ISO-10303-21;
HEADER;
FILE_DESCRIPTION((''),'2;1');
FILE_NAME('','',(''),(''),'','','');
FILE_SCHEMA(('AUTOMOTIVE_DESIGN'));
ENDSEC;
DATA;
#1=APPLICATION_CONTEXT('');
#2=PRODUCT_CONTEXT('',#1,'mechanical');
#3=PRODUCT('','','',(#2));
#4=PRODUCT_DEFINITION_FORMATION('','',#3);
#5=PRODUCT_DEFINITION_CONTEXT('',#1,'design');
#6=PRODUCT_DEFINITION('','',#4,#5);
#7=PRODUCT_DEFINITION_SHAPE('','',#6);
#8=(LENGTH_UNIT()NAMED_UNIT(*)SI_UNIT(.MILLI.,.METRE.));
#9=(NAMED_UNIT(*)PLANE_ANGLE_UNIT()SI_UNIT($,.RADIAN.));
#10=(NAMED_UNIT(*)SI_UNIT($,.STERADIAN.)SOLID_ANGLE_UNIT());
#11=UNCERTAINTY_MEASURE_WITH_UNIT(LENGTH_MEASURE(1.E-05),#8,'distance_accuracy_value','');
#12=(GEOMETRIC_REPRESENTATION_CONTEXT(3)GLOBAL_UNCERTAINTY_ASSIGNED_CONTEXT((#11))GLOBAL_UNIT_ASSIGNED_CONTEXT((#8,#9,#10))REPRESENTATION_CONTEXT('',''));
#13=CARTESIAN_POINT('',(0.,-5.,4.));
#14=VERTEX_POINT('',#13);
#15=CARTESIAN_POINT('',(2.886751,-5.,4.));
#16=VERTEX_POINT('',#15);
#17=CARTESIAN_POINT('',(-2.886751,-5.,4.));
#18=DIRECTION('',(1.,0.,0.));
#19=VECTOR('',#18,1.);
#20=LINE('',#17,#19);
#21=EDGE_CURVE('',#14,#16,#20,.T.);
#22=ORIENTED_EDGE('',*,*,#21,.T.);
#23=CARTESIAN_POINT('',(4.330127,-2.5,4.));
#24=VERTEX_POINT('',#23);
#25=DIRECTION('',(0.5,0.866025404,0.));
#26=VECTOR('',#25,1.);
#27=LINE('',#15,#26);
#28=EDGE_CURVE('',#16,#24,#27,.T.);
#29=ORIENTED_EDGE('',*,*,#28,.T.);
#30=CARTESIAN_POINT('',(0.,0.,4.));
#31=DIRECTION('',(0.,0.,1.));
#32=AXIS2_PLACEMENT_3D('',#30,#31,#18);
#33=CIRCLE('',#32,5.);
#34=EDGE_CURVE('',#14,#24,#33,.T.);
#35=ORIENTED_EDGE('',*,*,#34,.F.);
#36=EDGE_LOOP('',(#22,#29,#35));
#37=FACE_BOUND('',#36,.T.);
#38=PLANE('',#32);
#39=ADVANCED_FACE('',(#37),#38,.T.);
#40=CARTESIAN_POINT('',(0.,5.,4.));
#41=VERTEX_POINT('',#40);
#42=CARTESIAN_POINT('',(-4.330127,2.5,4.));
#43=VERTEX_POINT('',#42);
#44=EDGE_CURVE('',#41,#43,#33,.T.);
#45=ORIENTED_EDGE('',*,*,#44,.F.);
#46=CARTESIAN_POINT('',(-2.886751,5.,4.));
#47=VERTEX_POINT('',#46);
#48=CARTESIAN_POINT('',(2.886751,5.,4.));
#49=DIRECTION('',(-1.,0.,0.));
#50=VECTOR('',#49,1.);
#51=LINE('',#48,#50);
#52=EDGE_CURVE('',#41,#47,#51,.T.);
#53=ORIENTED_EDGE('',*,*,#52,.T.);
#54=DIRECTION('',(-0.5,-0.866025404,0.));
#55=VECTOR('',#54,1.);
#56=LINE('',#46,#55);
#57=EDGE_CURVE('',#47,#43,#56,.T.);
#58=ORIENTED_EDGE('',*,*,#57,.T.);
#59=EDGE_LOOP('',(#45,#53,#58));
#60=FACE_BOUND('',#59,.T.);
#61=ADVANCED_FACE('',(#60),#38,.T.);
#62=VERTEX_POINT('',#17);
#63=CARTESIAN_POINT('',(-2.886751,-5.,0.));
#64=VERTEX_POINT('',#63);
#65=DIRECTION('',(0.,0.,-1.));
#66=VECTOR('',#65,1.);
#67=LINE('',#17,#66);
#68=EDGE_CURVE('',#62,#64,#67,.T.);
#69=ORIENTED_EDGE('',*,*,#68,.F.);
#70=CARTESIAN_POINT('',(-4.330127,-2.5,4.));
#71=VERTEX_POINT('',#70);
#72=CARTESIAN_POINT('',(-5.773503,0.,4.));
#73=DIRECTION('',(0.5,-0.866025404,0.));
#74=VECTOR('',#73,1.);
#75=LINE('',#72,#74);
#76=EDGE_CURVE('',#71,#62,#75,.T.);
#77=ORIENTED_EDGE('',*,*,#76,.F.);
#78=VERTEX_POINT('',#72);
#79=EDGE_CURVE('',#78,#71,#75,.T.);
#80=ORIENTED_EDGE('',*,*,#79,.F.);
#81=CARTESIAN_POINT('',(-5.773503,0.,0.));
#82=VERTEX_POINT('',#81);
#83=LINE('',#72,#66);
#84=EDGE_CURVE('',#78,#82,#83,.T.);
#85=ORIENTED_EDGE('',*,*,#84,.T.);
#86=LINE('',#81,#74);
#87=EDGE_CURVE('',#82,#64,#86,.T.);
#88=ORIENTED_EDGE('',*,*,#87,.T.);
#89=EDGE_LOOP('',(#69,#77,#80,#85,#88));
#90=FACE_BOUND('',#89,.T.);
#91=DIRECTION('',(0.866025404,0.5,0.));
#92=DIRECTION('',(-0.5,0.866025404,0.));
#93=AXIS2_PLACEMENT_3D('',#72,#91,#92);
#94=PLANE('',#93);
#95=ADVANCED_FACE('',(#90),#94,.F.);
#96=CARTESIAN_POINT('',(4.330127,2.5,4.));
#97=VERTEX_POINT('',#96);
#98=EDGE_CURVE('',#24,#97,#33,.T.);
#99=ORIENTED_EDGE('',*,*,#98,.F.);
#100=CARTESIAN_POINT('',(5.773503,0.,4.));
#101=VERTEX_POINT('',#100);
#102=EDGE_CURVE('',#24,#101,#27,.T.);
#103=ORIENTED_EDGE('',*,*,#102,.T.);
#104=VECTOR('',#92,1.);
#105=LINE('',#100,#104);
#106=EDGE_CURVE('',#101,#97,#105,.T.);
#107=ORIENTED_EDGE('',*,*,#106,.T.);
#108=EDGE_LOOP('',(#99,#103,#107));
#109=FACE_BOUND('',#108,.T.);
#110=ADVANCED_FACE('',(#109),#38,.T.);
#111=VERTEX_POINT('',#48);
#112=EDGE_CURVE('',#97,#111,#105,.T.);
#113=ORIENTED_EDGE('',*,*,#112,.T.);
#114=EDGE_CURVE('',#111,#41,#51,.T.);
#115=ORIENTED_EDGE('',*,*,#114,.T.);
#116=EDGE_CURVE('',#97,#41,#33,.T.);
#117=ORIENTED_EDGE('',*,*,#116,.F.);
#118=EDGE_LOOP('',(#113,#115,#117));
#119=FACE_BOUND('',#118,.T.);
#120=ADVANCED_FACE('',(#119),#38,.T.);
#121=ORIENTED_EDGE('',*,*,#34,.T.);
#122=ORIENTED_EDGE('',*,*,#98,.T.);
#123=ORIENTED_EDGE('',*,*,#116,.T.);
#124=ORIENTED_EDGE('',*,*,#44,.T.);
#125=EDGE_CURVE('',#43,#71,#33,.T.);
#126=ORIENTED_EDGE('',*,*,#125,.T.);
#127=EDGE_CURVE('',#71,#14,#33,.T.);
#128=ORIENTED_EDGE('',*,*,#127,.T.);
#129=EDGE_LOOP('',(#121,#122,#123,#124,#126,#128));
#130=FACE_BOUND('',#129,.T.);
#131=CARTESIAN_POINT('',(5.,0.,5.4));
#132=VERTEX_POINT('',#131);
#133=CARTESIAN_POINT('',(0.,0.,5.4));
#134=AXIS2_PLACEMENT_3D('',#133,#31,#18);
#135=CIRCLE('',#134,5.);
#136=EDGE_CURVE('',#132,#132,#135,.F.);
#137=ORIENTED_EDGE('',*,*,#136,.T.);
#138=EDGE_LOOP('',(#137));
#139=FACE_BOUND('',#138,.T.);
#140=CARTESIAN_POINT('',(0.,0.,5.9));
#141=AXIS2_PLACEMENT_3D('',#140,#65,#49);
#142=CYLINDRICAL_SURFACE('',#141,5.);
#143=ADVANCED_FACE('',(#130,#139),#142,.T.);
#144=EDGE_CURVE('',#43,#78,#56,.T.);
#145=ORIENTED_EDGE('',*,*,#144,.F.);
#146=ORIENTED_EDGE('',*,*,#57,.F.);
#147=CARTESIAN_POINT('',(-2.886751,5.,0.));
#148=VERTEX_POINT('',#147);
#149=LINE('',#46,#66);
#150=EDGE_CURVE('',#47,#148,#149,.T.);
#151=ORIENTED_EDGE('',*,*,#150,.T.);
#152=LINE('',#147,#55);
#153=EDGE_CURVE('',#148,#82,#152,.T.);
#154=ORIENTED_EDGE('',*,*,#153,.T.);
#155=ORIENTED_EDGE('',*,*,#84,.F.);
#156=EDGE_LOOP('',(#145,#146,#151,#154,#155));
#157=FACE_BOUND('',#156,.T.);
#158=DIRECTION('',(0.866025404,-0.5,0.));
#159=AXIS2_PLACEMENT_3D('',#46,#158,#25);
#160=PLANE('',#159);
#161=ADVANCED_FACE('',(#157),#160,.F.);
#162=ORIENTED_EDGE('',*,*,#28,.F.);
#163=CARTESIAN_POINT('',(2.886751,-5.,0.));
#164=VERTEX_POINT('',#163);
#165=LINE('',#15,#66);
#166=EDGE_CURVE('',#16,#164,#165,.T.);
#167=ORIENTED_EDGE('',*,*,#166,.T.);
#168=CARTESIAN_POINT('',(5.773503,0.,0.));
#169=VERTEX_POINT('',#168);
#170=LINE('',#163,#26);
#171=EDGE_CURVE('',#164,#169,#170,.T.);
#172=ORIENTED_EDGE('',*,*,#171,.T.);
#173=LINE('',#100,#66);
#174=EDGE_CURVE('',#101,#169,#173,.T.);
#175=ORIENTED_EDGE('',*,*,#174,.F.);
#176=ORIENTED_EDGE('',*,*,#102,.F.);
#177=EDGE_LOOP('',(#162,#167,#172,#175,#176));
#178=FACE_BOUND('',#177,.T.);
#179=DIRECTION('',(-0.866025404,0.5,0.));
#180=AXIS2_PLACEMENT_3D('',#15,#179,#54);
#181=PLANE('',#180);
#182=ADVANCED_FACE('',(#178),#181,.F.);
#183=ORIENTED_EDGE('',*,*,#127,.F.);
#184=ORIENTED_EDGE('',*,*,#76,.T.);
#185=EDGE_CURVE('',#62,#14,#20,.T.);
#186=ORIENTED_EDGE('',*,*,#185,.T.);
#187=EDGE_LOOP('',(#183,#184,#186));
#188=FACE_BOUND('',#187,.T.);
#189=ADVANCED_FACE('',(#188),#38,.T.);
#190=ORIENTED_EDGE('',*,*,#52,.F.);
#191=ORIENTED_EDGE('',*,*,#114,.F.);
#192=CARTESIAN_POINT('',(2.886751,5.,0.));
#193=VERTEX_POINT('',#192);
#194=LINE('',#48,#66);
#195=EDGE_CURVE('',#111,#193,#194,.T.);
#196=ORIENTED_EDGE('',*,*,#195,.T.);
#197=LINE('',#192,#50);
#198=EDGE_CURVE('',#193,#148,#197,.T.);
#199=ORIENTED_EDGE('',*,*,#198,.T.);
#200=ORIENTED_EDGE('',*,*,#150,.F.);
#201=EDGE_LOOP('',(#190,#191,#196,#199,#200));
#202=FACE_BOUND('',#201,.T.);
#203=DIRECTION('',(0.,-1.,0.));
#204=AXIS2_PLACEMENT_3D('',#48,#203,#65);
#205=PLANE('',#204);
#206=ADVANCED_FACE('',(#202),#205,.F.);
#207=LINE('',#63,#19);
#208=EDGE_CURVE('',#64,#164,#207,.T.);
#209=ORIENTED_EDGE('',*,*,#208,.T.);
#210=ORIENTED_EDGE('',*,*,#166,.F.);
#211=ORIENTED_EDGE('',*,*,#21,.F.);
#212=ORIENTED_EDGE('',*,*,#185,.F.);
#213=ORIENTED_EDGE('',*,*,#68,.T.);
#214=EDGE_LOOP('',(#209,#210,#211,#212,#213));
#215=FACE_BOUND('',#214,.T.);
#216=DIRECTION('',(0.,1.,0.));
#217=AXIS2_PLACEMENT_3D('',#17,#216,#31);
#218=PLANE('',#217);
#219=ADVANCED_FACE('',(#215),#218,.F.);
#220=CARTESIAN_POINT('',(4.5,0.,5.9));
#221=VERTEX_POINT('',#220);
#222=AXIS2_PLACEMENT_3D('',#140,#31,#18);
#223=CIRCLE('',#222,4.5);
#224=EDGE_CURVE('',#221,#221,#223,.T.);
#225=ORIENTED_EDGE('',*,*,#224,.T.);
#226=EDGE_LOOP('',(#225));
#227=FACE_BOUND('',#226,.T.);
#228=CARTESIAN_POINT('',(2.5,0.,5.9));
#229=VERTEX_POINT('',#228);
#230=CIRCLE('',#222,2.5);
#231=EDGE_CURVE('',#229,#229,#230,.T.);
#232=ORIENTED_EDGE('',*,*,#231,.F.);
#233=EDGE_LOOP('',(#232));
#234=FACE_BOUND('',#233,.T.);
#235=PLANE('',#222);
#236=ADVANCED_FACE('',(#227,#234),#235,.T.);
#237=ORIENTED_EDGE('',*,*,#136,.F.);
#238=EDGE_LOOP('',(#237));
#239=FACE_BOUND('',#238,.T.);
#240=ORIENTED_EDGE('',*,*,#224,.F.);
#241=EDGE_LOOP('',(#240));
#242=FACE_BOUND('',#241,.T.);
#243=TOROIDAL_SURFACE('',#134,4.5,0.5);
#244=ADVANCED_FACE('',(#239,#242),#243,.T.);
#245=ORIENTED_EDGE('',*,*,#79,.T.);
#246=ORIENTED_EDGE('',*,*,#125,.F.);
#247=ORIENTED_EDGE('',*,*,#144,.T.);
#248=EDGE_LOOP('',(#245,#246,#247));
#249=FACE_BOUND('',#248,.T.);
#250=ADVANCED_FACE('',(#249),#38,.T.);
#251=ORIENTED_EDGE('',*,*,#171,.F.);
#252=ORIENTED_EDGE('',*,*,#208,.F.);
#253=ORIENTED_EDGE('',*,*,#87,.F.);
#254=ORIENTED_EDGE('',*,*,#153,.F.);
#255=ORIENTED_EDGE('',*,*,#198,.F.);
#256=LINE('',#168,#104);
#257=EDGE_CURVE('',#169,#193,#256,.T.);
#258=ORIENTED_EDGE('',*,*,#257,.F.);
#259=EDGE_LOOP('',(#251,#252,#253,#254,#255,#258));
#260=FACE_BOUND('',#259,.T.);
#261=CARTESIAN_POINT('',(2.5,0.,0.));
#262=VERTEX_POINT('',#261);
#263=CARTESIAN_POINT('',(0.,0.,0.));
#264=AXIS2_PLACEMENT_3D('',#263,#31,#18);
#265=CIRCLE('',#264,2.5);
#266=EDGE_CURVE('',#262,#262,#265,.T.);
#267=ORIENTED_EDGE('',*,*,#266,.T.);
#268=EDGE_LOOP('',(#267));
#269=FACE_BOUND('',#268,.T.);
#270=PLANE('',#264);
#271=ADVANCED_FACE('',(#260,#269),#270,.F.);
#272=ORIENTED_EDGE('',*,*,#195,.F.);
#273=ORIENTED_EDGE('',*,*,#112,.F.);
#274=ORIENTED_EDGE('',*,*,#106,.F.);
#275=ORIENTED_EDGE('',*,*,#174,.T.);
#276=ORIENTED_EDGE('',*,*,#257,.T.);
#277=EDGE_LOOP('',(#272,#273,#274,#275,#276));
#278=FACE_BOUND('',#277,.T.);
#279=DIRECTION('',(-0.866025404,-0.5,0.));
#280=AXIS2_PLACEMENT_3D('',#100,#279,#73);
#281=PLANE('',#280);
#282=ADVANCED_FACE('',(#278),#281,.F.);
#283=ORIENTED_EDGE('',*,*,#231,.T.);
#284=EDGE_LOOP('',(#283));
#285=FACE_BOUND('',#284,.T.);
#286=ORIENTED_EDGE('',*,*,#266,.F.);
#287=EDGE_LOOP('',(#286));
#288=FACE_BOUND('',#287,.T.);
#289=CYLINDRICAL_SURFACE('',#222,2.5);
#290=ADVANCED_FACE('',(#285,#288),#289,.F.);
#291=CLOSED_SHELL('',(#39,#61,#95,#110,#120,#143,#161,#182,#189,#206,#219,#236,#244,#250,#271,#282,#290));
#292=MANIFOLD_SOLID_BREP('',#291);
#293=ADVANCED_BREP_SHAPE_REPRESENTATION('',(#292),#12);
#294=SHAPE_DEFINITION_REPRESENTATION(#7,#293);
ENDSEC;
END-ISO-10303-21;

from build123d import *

# Parameters (mm, degrees)
EXTRUDE_1_DEPTH    = 4
SKETCH_2_R         = 5
EXTRUDE_2_DEPTH    = 1.9
HOLE_WIZARD_M6_1_D = 5
FILLET_1_R         = 0.5


with BuildPart() as part:
    # 草图1 → 凸台-拉伸1 (new body)
    with BuildSketch(Plane.XY):
        Polygon((5.773502692, 0), (2.886751346, 5), (-2.886751346, 5), (-5.773502692, 0), (-2.886751346, -5), (2.886751346, -5), align=None)
    extrude(amount=EXTRUDE_1_DEPTH)

    # 草图2 → 凸台-拉伸2 (add)
    with BuildSketch(Plane.XY.offset(4)):
        with Locations(Location((0, 0, 0), (0, 0, 210))):
            Circle(SKETCH_2_R)
    extrude(amount=EXTRUDE_2_DEPTH)

    # M6 螺纹孔1 (through all)
    with Locations(Plane.XY.offset(5.9)):
        with Locations((0, 0)):
            Hole(HOLE_WIZARD_M6_1_D / 2)

    # 圆角1
    fillet_1_edges = [part.edges().sort_by_distance(p)[0] for p in [
        (4.330127019, 2.5, 5.9),
    ]]
    fillet(fillet_1_edges, radius=FILLET_1_R)


solid = part.part
